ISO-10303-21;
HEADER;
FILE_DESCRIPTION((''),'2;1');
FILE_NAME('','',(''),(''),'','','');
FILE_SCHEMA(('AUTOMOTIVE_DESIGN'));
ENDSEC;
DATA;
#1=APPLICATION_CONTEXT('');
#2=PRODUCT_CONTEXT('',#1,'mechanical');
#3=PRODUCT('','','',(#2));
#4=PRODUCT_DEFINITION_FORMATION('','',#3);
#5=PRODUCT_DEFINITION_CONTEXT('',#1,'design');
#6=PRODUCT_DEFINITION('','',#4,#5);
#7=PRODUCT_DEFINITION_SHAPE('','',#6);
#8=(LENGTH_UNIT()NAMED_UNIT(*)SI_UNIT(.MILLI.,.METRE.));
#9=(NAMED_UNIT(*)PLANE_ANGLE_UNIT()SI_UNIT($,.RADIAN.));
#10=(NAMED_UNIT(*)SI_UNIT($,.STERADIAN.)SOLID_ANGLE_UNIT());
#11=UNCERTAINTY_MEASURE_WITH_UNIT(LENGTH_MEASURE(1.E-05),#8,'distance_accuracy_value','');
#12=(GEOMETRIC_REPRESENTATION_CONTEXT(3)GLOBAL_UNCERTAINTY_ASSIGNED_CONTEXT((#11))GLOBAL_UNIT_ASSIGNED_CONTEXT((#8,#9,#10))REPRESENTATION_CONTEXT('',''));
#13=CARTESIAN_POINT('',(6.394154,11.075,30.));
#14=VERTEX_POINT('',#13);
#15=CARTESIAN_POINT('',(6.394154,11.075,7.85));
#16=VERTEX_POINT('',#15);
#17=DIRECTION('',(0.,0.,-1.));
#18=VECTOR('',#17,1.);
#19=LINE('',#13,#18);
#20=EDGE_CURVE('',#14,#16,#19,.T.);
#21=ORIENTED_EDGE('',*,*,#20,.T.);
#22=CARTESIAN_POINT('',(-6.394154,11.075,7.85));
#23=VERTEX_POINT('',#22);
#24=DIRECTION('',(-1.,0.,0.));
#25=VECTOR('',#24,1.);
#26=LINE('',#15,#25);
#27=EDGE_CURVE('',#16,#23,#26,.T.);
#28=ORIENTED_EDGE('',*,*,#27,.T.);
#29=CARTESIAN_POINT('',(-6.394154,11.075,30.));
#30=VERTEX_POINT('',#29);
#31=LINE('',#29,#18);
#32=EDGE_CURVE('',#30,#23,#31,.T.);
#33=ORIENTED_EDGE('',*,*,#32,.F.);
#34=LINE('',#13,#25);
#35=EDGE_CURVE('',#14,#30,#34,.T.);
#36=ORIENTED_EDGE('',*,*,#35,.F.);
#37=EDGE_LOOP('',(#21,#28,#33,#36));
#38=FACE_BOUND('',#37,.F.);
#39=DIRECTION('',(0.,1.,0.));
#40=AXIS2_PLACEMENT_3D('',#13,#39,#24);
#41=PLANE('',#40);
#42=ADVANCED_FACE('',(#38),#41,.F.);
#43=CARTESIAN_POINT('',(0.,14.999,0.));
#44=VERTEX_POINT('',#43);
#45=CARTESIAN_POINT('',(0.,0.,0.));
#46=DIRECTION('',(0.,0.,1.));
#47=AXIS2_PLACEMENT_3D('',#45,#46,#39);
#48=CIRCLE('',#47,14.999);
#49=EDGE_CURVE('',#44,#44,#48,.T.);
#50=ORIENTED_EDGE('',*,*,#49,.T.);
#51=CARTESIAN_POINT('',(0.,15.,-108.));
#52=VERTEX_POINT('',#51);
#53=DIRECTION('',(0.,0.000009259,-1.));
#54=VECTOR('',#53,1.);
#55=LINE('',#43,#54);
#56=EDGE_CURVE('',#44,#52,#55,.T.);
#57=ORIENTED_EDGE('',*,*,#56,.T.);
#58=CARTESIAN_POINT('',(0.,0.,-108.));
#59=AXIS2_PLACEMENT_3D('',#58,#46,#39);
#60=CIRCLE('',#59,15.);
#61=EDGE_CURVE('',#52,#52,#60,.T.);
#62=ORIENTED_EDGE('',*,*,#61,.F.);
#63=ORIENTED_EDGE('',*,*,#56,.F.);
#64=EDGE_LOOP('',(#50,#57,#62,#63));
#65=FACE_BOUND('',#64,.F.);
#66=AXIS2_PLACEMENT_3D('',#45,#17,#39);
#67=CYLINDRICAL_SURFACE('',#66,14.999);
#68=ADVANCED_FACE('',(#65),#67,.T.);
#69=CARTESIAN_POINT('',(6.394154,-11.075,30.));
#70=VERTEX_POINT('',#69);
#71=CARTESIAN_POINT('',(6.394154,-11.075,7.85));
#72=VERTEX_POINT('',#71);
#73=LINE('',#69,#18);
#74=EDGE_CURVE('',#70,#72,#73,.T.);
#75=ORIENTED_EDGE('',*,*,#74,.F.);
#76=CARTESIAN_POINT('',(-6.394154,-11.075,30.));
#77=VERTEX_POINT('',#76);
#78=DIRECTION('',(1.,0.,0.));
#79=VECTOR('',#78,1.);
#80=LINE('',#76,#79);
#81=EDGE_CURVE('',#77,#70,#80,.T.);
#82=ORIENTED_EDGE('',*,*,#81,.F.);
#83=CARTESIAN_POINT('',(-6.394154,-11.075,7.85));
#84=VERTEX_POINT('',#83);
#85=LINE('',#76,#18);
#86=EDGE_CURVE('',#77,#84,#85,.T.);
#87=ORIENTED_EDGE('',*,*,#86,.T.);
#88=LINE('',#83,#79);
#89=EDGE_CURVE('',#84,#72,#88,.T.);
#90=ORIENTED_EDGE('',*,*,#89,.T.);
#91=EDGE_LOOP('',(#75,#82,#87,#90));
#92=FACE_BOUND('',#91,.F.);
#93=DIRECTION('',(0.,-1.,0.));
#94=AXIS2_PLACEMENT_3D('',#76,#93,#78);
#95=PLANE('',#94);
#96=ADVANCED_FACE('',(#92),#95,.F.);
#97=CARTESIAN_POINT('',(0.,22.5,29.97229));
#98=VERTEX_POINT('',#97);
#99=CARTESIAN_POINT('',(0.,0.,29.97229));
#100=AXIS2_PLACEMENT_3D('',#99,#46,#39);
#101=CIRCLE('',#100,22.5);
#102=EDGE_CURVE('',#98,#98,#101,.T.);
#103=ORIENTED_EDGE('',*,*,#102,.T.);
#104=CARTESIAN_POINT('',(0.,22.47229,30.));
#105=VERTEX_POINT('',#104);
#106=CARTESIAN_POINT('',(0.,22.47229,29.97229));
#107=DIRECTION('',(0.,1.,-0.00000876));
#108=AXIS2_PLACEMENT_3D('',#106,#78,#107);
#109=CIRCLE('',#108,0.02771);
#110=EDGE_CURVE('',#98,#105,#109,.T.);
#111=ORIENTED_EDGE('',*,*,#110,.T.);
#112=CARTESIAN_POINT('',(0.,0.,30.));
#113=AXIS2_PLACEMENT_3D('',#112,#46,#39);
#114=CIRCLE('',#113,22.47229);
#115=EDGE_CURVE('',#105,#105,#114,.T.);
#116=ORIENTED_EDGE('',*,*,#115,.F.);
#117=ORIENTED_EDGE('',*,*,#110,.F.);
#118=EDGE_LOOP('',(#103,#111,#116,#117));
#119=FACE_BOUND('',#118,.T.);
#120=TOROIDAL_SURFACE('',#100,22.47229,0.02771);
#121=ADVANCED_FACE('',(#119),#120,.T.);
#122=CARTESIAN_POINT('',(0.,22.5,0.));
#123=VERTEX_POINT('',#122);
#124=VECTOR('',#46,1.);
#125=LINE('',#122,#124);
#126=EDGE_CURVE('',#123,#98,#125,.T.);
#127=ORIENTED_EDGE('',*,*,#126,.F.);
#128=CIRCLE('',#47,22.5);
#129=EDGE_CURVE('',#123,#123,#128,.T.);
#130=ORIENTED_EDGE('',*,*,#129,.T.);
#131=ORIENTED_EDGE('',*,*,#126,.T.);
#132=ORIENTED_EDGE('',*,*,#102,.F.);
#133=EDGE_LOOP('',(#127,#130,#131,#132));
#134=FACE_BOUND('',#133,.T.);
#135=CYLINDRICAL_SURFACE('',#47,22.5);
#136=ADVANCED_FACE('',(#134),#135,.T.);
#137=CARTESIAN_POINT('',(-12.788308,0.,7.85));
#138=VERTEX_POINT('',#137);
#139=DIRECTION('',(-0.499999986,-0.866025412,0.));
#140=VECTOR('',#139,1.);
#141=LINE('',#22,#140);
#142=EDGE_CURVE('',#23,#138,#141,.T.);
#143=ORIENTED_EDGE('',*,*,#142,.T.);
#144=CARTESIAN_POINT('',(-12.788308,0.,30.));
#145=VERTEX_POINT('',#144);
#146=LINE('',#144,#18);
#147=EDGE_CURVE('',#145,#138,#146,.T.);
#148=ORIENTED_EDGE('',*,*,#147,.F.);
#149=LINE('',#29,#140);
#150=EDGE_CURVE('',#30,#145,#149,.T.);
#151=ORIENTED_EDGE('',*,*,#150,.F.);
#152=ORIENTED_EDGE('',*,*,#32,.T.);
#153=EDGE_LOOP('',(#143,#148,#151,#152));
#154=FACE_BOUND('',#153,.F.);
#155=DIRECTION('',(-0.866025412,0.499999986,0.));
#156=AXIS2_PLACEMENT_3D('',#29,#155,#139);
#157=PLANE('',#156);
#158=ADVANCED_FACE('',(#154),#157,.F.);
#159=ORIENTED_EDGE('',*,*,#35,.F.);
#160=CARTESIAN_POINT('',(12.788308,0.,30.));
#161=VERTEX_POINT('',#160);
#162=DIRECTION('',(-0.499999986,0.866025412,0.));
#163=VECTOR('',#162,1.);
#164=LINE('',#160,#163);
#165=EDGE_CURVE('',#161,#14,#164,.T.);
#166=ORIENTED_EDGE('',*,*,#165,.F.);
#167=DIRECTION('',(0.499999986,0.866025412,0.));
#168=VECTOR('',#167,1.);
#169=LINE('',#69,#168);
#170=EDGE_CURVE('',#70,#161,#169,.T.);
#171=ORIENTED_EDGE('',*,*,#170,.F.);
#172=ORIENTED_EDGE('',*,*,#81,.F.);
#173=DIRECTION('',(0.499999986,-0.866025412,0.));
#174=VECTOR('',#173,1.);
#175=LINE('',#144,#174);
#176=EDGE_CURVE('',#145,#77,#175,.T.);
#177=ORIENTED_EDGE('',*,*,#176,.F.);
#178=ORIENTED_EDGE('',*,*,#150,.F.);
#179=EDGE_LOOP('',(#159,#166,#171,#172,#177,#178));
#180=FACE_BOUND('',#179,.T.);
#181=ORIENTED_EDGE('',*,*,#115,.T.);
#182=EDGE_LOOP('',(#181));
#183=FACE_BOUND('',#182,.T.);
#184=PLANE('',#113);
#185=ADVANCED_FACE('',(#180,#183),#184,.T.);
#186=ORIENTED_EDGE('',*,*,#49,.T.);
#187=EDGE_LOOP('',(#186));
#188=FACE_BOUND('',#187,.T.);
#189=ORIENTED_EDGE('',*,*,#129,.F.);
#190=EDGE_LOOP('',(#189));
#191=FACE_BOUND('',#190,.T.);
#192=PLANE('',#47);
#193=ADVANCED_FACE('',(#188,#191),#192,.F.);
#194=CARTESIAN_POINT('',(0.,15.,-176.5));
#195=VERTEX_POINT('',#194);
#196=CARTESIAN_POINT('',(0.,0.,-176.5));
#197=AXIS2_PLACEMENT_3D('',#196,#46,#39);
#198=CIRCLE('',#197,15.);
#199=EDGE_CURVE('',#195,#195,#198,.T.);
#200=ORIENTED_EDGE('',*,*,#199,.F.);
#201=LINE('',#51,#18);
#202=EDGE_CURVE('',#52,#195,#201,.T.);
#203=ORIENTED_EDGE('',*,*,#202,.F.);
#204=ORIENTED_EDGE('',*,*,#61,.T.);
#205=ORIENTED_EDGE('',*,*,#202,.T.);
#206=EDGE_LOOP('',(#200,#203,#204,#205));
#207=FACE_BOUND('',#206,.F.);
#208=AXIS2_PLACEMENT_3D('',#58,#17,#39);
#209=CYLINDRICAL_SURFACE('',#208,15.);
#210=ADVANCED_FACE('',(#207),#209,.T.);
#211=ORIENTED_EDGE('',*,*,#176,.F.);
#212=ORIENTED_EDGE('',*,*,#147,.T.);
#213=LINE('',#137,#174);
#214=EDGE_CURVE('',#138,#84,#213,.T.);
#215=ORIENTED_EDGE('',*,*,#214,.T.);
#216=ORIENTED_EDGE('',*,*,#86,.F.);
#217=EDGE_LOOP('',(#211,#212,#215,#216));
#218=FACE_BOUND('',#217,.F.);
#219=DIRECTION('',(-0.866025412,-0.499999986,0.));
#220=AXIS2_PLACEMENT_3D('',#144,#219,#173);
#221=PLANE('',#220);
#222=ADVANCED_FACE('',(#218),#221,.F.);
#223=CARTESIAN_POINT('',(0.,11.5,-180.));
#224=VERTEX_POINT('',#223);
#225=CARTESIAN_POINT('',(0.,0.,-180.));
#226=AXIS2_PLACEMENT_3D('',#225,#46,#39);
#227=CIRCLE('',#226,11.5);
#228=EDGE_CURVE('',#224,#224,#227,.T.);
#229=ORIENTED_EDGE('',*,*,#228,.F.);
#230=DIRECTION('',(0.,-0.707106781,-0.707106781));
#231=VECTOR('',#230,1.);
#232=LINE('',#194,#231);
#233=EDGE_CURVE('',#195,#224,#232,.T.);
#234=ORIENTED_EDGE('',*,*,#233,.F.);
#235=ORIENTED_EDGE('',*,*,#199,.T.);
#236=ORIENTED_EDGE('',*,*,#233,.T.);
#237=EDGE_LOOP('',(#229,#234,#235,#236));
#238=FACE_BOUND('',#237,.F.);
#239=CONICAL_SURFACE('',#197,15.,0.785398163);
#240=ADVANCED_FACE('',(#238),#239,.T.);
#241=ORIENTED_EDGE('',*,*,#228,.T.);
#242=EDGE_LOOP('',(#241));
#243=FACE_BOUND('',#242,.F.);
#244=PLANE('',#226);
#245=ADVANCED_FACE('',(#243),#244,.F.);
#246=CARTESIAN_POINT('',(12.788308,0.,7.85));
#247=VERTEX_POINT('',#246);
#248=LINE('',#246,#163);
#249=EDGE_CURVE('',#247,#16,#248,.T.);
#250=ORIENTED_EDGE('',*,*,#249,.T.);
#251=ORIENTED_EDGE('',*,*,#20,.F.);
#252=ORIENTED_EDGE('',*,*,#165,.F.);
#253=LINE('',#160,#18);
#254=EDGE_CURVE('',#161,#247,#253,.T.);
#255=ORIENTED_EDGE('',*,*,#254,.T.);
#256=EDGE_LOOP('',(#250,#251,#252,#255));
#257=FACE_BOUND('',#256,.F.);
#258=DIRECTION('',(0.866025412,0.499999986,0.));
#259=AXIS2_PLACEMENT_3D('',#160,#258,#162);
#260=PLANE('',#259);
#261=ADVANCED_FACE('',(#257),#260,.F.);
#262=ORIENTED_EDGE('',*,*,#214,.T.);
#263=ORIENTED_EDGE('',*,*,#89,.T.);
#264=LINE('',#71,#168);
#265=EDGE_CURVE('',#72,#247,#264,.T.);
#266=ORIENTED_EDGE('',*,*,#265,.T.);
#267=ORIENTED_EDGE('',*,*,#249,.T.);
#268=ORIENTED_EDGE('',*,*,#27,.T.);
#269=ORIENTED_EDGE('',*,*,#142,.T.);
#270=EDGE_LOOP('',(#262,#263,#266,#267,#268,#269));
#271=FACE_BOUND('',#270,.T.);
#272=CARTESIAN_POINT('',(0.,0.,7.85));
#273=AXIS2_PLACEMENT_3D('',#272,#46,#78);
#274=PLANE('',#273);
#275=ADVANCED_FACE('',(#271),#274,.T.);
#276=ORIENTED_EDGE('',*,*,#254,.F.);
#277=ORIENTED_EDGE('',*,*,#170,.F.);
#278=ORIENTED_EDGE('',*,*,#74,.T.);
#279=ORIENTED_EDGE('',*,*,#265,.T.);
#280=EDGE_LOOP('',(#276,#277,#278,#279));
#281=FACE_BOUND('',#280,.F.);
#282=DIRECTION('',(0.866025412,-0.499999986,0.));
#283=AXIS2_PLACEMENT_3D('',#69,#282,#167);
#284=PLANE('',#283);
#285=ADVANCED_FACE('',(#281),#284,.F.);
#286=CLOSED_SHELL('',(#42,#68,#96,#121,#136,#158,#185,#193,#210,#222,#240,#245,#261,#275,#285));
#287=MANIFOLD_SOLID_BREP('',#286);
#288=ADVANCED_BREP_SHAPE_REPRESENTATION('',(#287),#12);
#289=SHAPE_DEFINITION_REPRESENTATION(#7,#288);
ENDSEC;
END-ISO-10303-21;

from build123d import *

# Parameters (mm, degrees)
POCKET_DEPTH = 22.15


with BuildPart() as part:
    # Sketch → Revolve (revolve)
    with BuildSketch(Plane.YZ):
        with BuildLine():
            Line((14.999, 0), (22.5, 0))
            Line((22.5, 0), (22.5, 29.97229))
            ThreePointArc((22.5, 29.97229), (22.491884, 29.991884), (22.47229, 30))
            Line((22.47229, 30), (0, 30))
            Line((0, -180), (0, 30))
            Line((11.5, -180), (0, -180))
            Line((15, -176.5), (11.5, -180))
            Line((15, -108), (15, -176.5))
            Line((14.999, 0), (15, -108))
        make_face()
    revolve(axis=Axis((0, 0, 0), (0, 0, 1)))

    # Sketch001 → Pocket (cut)
    with BuildSketch(Plane.XY.offset(30)):
        Polygon((12.788308, 0), (6.394154, 11.075), (-6.394154, 11.075), (-12.788308, 0), (-6.394154, -11.075), (6.394154, -11.075), align=None)
    extrude(amount=-POCKET_DEPTH, mode=Mode.SUBTRACT)


solid = part.part
